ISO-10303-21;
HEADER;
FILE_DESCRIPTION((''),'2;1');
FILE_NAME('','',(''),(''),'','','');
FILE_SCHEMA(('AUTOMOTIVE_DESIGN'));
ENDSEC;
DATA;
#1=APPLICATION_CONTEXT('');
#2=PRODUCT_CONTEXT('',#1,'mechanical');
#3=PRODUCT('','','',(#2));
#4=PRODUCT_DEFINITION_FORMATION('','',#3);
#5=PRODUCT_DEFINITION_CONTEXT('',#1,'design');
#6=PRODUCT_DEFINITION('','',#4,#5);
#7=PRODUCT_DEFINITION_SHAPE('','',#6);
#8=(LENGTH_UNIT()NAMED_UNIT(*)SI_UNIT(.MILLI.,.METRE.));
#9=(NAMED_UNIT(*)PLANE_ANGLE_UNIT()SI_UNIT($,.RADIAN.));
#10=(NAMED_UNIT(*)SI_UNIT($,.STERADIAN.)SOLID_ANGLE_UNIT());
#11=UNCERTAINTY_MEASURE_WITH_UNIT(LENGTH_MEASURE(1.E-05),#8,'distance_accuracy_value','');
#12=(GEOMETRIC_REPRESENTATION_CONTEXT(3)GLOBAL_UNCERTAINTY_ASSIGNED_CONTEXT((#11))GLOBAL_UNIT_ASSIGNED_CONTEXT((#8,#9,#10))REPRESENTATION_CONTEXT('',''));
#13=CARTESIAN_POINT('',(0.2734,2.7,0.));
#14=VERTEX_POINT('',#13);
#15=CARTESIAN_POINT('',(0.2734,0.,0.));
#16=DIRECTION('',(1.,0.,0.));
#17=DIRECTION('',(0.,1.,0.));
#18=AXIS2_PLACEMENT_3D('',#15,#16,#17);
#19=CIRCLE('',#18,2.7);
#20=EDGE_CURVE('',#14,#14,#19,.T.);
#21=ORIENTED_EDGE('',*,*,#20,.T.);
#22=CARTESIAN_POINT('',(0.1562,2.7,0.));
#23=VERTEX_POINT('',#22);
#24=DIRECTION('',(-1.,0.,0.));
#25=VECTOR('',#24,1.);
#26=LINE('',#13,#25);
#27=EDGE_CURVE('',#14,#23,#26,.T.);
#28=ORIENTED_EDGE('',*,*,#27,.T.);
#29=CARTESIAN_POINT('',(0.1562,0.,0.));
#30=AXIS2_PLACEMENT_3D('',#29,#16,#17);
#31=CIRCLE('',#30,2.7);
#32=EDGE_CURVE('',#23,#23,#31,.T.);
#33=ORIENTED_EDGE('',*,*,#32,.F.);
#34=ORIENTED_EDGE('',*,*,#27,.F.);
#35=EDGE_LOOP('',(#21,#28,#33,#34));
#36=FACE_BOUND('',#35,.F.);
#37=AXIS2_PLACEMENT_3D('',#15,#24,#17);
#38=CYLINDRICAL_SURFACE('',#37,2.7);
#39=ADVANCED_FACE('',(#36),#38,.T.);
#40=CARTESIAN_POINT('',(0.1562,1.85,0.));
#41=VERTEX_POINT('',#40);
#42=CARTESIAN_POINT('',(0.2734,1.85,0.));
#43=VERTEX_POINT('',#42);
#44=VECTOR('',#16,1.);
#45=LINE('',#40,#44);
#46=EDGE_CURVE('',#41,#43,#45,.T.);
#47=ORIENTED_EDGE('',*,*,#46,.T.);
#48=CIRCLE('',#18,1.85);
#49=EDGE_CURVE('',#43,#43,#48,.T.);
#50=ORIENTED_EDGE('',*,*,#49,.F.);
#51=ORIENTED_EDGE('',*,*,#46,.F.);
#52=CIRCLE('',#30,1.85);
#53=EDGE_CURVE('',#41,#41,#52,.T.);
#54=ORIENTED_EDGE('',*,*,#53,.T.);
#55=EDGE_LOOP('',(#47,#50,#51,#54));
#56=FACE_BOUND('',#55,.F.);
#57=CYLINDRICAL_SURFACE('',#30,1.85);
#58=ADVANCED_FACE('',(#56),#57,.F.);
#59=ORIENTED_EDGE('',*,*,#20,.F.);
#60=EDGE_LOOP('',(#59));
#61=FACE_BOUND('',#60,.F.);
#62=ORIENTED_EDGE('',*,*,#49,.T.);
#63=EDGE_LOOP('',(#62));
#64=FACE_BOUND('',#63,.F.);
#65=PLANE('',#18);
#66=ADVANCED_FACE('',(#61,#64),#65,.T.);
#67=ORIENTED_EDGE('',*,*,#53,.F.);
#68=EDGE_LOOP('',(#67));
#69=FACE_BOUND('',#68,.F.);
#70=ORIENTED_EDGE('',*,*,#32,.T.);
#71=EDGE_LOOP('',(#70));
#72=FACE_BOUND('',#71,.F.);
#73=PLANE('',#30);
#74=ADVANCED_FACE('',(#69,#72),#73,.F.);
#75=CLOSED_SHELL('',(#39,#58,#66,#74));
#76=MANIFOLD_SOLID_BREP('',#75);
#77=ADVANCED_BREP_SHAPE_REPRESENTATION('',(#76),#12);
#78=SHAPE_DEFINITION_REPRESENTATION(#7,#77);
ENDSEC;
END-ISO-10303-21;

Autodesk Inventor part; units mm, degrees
sketch "Sketch_1" plane through (0, 0, 0) normal (0, 0, 1) x (1, 0, 0)
  line L0 (0.2734, 0) -> (0.1562, 0)
  line L1 (0.1562, 1.85) -> (0.2734, 1.85)
  line L2 (0.2734, 1.85) -> (0.2734, 2.7)
  line L3 (0.2734, 2.7) -> (0.1562, 2.7)
  line L4 (0.1562, 2.7) -> (0.1562, 1.85)
revolve "Revolution1" add sketch "Sketch_1" angle 360 about axis through (0.2734, 0, 0) along (1, 0, 0)
ref_plane "ip_st_1_XY" through (0.1562, 0, 0) normal (-1, 0, 0) x (0, 0, -1)
ref_plane "ip_st_1_YZ" through (0.1562, 0, 0) normal (0, 0, -1) x (0, -1, 0)
ref_plane "ip_st_1_ZX" through (0.1562, 0, 0) normal (0, -1, 0) x (-1, 0, 0)
properties part number "MF63ZZ Shield1"
